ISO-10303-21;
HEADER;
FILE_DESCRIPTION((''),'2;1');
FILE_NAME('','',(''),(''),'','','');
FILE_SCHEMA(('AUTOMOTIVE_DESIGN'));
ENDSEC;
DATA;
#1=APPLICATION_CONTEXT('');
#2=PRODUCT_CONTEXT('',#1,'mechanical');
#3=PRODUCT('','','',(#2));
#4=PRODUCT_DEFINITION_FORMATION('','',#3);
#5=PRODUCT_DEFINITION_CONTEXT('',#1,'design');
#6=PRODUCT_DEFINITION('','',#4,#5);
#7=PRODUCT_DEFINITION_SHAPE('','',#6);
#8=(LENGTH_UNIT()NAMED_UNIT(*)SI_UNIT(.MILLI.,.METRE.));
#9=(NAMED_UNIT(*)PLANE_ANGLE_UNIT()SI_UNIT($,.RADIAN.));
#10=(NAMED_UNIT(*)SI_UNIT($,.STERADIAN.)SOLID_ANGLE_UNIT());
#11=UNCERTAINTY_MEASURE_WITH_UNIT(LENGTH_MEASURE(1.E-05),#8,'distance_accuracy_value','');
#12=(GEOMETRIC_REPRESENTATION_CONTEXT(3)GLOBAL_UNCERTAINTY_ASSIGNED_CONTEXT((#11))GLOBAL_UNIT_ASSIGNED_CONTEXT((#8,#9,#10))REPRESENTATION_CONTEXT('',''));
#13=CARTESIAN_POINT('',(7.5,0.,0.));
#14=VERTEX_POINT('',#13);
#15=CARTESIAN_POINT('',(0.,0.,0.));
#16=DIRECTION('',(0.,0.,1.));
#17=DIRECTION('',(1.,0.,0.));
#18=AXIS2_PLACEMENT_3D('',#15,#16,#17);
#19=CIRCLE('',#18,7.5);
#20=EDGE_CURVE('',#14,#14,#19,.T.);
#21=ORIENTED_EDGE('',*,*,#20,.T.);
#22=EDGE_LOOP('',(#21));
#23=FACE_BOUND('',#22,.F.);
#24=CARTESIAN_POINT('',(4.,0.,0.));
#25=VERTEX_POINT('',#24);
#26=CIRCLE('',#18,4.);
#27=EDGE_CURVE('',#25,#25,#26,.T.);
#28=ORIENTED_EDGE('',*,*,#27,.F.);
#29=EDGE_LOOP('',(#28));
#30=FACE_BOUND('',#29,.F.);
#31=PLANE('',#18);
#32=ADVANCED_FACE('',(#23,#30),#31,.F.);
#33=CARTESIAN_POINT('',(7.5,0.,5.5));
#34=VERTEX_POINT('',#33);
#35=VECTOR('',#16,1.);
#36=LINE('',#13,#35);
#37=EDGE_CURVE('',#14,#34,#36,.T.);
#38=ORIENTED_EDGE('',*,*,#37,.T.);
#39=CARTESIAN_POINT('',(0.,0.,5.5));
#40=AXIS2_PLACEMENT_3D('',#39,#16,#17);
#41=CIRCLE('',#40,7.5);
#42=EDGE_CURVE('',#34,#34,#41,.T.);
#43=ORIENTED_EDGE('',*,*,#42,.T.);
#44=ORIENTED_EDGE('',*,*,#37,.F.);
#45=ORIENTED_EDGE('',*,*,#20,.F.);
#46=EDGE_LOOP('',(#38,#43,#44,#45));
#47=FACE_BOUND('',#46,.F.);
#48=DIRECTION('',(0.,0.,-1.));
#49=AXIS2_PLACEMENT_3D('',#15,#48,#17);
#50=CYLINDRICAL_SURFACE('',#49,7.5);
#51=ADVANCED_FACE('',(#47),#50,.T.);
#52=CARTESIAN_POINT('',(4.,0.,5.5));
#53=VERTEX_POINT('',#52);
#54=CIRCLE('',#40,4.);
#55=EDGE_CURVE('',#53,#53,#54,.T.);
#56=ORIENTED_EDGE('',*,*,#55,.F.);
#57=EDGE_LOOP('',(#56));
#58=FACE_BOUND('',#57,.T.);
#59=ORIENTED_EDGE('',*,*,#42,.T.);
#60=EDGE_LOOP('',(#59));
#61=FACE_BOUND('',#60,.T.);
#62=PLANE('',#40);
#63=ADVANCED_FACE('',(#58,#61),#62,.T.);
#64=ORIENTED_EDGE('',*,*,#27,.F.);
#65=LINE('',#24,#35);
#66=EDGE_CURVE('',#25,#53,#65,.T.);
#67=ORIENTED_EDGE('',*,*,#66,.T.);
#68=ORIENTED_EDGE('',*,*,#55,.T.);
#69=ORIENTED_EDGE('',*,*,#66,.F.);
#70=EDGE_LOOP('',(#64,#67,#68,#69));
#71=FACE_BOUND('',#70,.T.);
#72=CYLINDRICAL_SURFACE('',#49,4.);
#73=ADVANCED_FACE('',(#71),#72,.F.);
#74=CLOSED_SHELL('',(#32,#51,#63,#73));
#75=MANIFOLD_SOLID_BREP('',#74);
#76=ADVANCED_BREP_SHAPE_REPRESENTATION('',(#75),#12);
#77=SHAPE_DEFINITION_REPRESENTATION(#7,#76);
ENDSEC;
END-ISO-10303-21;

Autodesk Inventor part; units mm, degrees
ref_plane "YZ Plane" through (0, 0, 0) normal (1, 0, 0) x (0, 1, 0)
ref_plane "XZ Plane" through (0, 0, 0) normal (0, 1, 0) x (-1, 0, 0)
ref_plane "XY Plane" through (0, 0, 0) normal (0, 0, 1) x (1, 0, 0)
sketch "Sketch1" plane through (0, 0, 0) normal (0, 0, 1) x (1, 0, 0)
  circle A0 centre (0, 0) radius 4
  circle A1 centre (0, 0) radius 7.5
  dimension "d0" = 8
  dimension "d1" = 15
extrude "Extrusion1" add sketch "Sketch1" along normal blind 5.5
properties part number "mocowanie lozyska 10-3"
